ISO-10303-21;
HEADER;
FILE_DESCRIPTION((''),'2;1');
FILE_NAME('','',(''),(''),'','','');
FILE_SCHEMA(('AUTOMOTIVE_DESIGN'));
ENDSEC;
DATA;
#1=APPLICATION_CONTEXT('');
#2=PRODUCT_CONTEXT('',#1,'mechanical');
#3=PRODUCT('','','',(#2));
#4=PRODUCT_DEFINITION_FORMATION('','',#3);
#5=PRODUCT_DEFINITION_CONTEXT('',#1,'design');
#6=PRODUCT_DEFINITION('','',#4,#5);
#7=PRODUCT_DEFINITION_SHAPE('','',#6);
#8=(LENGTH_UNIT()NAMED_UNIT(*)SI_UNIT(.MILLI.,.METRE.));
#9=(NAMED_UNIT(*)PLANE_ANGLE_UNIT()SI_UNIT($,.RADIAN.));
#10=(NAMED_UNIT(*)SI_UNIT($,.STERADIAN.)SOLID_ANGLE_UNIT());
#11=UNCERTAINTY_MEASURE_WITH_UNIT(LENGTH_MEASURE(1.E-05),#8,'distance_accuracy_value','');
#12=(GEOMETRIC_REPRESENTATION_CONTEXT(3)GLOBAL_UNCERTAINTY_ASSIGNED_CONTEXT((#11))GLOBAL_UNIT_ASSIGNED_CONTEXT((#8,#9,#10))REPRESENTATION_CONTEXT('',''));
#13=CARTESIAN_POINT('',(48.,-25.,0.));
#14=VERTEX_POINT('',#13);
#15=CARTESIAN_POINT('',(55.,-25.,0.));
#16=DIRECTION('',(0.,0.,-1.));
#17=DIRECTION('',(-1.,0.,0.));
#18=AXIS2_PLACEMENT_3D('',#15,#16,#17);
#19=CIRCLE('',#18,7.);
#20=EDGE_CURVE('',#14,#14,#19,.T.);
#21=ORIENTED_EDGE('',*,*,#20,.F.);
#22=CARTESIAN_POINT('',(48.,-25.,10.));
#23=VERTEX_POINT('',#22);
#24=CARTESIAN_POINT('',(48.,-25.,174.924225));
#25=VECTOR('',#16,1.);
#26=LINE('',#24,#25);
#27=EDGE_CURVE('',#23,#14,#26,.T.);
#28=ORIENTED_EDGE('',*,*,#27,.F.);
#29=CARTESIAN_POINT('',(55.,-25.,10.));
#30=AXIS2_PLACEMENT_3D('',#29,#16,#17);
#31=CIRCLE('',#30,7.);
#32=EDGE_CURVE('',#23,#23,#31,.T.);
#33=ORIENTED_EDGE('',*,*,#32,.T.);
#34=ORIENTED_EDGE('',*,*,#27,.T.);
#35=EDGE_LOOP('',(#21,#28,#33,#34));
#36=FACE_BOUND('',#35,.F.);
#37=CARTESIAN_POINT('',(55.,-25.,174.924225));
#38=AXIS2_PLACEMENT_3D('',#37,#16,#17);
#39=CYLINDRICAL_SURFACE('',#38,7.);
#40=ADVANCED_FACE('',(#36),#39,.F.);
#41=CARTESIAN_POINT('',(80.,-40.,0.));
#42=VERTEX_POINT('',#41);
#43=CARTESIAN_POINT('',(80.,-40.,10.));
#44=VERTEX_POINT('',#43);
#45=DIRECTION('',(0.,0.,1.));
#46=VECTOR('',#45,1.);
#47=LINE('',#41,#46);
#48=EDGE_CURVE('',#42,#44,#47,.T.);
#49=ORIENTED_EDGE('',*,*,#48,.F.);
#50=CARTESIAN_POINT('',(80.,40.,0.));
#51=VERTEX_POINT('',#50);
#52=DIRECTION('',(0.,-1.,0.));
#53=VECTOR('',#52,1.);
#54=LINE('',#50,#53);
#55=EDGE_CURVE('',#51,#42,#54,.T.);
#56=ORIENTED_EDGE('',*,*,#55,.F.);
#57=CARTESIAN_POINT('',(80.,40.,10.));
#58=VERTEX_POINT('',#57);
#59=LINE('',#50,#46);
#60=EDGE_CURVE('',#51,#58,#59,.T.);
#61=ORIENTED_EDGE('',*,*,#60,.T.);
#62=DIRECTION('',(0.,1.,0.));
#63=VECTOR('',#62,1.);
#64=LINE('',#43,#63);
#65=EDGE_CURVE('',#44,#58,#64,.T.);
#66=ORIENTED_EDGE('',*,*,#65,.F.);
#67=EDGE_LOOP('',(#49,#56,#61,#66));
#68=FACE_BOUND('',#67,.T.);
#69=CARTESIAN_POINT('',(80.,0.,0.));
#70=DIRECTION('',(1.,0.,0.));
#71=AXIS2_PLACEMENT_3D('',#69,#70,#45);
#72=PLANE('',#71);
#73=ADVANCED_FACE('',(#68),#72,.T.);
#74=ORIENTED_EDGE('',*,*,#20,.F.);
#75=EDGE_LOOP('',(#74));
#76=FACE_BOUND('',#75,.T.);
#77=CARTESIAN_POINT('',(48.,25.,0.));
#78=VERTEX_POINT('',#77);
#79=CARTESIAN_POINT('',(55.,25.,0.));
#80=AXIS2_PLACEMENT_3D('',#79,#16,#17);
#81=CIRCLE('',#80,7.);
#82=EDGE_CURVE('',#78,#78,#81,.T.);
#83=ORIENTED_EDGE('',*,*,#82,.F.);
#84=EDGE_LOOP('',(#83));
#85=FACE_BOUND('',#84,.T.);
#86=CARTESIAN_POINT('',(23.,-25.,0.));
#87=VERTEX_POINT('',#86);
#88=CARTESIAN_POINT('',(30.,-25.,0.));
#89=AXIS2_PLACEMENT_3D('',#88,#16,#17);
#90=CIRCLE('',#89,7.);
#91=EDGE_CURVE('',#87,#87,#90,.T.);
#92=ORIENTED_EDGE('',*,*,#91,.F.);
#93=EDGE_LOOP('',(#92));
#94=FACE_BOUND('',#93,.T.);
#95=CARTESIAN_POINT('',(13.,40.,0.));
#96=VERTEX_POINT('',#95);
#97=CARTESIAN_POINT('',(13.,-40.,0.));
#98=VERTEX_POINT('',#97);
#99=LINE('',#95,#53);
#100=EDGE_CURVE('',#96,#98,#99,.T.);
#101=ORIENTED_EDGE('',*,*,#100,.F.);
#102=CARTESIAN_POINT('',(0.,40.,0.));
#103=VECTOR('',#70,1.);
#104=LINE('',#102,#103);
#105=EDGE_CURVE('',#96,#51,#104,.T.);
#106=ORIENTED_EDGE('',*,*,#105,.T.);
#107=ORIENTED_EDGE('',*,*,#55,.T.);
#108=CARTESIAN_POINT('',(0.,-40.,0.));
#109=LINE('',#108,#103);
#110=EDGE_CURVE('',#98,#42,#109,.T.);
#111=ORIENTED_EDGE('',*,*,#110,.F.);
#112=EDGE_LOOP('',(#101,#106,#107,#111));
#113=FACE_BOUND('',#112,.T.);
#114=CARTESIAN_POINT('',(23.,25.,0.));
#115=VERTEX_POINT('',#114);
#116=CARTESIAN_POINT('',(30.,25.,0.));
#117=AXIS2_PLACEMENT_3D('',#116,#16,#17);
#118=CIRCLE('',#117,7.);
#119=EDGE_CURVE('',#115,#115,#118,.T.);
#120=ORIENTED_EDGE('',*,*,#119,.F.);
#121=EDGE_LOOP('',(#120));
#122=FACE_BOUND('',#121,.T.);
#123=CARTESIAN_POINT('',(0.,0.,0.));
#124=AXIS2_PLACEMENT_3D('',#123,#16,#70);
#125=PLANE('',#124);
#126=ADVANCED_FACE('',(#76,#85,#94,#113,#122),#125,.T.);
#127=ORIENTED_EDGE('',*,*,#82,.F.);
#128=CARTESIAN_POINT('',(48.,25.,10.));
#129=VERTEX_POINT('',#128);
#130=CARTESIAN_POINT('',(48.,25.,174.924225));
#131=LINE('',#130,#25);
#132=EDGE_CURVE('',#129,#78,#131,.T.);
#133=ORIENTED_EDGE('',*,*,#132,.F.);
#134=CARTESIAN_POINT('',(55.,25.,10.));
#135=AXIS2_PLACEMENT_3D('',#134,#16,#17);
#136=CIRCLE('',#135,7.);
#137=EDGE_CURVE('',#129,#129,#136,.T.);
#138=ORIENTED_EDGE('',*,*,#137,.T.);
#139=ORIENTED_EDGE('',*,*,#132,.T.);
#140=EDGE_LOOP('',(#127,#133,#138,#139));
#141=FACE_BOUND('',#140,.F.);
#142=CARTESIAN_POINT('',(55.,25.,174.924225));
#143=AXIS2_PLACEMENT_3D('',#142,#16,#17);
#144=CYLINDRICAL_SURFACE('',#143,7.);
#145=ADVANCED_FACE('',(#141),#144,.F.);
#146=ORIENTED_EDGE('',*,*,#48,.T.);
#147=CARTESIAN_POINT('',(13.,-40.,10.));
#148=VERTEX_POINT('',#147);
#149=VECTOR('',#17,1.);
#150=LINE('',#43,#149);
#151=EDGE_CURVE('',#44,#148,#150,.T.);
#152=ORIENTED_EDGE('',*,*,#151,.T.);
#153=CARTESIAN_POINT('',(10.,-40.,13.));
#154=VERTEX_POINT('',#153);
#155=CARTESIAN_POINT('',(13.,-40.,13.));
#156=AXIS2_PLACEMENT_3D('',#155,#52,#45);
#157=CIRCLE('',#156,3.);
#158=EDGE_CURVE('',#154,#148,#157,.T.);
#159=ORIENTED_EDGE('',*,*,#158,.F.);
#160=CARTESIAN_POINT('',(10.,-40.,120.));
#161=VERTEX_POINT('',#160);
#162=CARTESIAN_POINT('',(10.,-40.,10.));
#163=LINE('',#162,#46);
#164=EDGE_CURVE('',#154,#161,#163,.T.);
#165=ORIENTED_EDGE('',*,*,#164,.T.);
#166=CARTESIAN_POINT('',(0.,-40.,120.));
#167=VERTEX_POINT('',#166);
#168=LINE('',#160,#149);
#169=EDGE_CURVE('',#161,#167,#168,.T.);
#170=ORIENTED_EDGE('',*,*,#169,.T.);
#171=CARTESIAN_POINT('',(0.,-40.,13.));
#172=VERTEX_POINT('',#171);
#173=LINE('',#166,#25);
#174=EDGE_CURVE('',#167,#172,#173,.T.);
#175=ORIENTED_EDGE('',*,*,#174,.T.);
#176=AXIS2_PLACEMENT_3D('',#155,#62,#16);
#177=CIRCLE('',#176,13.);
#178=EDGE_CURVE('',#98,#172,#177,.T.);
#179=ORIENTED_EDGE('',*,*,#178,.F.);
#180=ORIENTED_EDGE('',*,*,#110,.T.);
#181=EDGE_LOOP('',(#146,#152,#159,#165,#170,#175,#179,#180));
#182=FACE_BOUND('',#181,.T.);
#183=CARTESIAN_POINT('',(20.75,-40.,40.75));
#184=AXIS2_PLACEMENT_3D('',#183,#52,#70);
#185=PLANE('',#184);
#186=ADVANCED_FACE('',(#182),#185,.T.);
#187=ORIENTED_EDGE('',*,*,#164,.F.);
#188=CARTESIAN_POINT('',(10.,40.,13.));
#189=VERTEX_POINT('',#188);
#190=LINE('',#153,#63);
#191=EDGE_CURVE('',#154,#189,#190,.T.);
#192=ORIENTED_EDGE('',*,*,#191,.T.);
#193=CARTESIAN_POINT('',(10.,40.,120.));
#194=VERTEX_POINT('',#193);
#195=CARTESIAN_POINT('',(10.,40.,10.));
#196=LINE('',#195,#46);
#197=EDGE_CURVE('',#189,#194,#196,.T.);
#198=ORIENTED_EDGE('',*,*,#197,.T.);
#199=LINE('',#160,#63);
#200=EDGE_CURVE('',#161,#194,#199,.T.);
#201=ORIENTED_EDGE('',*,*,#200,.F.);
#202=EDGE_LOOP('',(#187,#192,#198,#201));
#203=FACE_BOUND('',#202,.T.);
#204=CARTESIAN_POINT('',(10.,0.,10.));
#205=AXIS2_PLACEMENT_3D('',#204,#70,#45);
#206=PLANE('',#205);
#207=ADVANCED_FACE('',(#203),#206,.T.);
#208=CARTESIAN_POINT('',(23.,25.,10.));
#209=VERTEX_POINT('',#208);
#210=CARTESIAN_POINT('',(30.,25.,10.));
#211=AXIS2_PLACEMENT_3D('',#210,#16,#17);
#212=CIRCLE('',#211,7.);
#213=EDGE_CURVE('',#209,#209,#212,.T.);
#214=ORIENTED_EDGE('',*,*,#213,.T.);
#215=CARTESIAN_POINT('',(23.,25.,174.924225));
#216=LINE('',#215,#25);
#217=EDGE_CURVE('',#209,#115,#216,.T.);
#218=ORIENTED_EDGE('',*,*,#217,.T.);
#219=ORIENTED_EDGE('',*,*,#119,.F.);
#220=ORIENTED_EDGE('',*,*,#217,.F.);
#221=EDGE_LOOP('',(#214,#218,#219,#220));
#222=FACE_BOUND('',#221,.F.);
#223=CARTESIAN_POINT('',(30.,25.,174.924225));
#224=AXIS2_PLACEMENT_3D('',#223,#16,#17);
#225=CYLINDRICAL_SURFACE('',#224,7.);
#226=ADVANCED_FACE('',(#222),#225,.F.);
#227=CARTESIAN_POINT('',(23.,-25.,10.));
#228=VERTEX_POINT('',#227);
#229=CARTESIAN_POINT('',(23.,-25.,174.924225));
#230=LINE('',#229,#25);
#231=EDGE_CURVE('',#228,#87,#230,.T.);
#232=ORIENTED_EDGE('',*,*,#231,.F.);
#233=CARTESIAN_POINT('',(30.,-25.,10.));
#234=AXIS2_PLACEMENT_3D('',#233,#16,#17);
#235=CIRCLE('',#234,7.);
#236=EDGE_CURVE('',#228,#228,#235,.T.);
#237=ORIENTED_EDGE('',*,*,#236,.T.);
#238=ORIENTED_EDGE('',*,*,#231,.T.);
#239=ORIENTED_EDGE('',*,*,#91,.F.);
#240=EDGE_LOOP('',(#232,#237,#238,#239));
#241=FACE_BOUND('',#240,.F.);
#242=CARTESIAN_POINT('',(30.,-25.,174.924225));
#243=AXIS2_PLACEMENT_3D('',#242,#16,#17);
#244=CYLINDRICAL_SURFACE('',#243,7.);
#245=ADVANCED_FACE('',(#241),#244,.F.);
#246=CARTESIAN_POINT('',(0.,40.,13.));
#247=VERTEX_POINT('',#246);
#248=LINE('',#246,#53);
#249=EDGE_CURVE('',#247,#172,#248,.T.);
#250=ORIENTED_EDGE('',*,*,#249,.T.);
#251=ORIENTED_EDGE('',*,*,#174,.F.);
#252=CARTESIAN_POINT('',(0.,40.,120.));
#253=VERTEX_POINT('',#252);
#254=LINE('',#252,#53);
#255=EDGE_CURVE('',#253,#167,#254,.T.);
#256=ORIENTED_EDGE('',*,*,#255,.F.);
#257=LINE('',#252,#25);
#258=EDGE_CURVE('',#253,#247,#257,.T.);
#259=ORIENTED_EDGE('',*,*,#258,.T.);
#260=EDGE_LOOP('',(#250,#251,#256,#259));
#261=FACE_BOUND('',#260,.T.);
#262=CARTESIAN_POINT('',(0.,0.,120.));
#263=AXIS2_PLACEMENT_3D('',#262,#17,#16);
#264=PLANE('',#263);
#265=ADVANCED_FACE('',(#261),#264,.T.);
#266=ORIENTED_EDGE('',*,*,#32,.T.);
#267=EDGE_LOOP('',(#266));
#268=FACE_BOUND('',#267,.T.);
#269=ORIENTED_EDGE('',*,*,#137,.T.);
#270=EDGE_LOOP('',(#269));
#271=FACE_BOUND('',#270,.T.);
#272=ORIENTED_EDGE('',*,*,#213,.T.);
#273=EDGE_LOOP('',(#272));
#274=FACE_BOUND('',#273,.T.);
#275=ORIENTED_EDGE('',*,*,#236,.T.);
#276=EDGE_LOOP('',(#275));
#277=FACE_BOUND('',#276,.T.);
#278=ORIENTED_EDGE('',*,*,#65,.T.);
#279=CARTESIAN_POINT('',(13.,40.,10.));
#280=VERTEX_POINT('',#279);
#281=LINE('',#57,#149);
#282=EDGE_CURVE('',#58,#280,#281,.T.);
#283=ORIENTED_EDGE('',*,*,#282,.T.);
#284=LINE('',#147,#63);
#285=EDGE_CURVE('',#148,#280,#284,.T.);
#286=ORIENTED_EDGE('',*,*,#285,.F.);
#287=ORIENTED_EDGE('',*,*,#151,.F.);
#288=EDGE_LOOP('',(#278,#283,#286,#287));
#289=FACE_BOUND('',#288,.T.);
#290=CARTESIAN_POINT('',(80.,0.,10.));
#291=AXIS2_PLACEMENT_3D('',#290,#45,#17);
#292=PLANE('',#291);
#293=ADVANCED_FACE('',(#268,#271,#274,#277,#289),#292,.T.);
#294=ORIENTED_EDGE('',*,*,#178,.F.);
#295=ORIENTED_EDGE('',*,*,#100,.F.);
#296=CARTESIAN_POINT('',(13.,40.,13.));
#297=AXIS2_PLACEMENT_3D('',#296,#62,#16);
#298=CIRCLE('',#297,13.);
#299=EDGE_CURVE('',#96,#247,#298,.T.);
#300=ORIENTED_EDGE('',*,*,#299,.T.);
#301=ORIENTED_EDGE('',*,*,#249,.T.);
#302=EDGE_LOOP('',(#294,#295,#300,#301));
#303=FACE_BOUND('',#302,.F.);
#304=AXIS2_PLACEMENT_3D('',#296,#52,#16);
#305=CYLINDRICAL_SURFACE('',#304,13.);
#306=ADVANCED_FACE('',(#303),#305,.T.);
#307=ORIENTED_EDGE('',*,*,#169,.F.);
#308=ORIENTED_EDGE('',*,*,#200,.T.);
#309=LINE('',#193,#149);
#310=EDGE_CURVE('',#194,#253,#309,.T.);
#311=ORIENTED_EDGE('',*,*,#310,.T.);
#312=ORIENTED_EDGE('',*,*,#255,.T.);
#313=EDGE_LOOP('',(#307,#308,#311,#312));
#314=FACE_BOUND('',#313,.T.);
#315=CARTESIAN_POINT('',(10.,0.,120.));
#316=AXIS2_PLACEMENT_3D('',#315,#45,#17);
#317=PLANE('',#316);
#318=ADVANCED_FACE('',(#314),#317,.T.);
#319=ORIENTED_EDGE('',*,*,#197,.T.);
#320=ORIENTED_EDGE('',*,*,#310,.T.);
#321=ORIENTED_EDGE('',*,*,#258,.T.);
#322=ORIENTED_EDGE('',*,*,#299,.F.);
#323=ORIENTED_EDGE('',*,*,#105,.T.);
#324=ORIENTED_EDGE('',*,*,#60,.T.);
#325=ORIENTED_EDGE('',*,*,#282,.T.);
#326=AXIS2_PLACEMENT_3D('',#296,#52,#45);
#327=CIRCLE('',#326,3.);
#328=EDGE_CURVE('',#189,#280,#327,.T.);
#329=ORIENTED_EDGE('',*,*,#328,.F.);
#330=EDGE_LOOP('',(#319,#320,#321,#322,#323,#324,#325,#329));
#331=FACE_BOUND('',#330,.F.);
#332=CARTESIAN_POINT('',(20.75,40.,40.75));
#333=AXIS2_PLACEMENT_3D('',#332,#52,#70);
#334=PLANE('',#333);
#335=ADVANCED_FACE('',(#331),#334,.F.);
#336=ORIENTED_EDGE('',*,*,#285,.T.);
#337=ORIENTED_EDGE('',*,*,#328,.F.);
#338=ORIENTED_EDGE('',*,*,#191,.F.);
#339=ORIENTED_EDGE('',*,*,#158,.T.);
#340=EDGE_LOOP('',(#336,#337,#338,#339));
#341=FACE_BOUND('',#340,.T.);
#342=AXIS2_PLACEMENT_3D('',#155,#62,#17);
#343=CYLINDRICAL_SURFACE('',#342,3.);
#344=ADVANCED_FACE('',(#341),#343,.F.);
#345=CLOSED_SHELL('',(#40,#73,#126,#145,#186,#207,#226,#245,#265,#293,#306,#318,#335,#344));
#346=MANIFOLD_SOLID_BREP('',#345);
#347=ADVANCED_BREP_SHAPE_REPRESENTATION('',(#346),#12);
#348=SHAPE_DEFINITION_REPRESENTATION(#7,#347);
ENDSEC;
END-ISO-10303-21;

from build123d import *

# Parameters (mm, degrees)
F1_DEPTH = 40
F2_R     = 3
F3_R     = 13
F5_D     = 14


with BuildPart() as f1:
    # F0 (on Front) → F1 (new body, symmetric)
    with BuildSketch(Plane.XZ):
        Polygon((10, 120), (0, 120), (0, 0), (80, 0), (80, 10), (10, 10), align=None)
    extrude(amount=F1_DEPTH, both=True)

    # F2
    f2_edges = [f1.edges().sort_by_distance(p)[0] for p in [
        (10, 0, 10),
    ]]
    fillet(f2_edges, radius=F2_R)

    # F3
    f3_edges = [f1.edges().sort_by_distance(p)[0] for p in [
        (0, 0, 0),
    ]]
    fillet(f3_edges, radius=F3_R)

    # F5 (through all)
    with Locations(Plane.XY.offset(10)):
        with Locations((55, 25), (55, -25), (30, -25), (30, 25)):
            Hole(F5_D / 2)


solid = f1.part
